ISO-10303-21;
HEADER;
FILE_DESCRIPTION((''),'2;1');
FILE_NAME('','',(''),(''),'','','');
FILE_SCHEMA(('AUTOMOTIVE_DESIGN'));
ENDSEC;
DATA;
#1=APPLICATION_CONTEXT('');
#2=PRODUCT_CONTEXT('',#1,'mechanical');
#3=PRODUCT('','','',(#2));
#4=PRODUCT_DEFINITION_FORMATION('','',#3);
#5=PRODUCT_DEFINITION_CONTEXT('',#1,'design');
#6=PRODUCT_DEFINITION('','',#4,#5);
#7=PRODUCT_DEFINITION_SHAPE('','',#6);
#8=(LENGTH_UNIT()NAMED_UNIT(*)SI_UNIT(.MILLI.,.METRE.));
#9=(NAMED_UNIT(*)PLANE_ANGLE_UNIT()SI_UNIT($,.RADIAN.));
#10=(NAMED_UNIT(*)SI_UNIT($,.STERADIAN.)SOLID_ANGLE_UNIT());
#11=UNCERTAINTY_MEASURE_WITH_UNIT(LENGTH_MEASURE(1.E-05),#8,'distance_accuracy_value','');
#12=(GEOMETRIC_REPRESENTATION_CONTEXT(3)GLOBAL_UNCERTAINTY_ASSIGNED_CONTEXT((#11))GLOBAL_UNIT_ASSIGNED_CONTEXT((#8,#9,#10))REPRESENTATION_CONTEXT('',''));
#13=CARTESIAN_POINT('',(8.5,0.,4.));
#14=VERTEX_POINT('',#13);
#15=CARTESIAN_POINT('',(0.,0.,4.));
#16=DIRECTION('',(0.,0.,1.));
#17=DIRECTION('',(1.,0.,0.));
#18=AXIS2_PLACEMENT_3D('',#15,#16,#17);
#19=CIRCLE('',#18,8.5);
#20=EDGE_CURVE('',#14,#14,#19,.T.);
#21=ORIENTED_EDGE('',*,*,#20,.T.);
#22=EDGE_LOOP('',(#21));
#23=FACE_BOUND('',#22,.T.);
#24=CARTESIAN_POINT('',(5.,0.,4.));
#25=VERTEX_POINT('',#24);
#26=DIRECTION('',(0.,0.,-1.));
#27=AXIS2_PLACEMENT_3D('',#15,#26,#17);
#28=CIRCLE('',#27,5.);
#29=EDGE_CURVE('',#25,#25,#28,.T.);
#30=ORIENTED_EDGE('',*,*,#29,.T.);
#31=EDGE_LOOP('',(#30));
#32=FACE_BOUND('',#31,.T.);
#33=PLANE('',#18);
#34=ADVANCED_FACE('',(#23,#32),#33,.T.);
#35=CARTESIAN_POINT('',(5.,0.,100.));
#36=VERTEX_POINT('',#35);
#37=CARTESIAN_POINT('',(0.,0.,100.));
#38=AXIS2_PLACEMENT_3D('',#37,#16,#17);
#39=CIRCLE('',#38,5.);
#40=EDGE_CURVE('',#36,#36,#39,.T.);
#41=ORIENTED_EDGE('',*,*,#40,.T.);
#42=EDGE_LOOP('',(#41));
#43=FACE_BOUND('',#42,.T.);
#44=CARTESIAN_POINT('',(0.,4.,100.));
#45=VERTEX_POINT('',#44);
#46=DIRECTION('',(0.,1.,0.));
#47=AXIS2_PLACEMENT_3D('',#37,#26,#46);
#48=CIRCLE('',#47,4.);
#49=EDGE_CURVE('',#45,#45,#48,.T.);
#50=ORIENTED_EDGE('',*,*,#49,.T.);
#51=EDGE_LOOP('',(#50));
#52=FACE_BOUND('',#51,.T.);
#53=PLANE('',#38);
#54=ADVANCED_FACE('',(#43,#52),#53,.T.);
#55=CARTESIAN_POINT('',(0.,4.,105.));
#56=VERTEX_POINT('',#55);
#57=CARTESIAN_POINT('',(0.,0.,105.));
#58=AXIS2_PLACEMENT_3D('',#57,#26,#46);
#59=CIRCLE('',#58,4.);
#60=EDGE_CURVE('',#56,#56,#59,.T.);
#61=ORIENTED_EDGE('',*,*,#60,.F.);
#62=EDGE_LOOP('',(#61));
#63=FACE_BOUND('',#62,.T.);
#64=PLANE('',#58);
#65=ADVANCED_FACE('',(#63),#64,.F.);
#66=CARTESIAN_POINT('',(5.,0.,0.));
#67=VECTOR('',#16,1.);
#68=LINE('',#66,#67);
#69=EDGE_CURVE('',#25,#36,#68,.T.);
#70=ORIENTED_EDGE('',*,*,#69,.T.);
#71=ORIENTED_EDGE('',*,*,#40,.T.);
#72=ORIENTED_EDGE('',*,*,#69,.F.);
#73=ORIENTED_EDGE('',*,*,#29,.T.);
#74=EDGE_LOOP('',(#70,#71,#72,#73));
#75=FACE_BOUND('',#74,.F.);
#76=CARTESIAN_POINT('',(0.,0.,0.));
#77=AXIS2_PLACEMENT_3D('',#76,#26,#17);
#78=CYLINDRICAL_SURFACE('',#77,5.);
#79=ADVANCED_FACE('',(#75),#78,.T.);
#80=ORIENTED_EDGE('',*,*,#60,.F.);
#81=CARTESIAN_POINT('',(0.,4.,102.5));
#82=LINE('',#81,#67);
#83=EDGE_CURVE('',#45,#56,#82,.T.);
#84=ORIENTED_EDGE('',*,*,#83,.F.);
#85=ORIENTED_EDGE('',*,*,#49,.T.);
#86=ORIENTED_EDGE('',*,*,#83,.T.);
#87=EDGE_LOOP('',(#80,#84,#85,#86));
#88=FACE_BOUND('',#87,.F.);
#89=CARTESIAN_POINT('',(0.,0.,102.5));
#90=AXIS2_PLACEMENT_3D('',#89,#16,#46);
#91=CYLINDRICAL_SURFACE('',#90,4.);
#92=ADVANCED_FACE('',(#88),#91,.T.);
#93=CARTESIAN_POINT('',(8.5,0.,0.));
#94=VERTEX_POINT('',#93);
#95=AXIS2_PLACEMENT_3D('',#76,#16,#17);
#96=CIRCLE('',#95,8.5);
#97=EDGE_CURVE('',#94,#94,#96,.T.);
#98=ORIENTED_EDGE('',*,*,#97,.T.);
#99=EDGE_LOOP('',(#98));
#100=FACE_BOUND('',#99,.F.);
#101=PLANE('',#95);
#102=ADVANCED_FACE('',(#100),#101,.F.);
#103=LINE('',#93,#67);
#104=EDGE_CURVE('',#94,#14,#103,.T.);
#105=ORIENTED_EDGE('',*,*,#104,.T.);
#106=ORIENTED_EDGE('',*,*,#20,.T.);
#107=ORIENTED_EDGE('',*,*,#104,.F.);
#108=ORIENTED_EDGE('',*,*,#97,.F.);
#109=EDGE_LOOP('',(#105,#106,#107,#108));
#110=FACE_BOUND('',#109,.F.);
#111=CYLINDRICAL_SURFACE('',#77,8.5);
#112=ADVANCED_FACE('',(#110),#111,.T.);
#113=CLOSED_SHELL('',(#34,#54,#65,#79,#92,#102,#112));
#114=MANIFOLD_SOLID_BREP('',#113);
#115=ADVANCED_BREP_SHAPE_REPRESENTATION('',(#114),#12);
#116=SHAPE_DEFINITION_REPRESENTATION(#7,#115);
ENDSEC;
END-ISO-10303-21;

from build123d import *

# Parameters (mm, degrees)
F0_R     = 8.5
F1_DEPTH = 4
F2_R     = 5
F3_DEPTH = 100
F4_W     = 4
F4_H     = 5


with BuildPart() as f1:
    # F0 (on Top) → F1 (new body)
    with BuildSketch(Plane.XY):
        Circle(F0_R)
    extrude(amount=F1_DEPTH)

    # F2 (on Top) → F3 (join)
    with BuildSketch(Plane.XY):
        Circle(F2_R)
    extrude(amount=F3_DEPTH)

    # F4 (on Right) → F5 (revolve)
    with BuildSketch(Plane.YZ):
        with Locations((2, 102.5)):
            Rectangle(F4_W, F4_H)
    revolve(axis=Axis((0, 0, 102.5), (0, 0, -1)))


solid = f1.part
